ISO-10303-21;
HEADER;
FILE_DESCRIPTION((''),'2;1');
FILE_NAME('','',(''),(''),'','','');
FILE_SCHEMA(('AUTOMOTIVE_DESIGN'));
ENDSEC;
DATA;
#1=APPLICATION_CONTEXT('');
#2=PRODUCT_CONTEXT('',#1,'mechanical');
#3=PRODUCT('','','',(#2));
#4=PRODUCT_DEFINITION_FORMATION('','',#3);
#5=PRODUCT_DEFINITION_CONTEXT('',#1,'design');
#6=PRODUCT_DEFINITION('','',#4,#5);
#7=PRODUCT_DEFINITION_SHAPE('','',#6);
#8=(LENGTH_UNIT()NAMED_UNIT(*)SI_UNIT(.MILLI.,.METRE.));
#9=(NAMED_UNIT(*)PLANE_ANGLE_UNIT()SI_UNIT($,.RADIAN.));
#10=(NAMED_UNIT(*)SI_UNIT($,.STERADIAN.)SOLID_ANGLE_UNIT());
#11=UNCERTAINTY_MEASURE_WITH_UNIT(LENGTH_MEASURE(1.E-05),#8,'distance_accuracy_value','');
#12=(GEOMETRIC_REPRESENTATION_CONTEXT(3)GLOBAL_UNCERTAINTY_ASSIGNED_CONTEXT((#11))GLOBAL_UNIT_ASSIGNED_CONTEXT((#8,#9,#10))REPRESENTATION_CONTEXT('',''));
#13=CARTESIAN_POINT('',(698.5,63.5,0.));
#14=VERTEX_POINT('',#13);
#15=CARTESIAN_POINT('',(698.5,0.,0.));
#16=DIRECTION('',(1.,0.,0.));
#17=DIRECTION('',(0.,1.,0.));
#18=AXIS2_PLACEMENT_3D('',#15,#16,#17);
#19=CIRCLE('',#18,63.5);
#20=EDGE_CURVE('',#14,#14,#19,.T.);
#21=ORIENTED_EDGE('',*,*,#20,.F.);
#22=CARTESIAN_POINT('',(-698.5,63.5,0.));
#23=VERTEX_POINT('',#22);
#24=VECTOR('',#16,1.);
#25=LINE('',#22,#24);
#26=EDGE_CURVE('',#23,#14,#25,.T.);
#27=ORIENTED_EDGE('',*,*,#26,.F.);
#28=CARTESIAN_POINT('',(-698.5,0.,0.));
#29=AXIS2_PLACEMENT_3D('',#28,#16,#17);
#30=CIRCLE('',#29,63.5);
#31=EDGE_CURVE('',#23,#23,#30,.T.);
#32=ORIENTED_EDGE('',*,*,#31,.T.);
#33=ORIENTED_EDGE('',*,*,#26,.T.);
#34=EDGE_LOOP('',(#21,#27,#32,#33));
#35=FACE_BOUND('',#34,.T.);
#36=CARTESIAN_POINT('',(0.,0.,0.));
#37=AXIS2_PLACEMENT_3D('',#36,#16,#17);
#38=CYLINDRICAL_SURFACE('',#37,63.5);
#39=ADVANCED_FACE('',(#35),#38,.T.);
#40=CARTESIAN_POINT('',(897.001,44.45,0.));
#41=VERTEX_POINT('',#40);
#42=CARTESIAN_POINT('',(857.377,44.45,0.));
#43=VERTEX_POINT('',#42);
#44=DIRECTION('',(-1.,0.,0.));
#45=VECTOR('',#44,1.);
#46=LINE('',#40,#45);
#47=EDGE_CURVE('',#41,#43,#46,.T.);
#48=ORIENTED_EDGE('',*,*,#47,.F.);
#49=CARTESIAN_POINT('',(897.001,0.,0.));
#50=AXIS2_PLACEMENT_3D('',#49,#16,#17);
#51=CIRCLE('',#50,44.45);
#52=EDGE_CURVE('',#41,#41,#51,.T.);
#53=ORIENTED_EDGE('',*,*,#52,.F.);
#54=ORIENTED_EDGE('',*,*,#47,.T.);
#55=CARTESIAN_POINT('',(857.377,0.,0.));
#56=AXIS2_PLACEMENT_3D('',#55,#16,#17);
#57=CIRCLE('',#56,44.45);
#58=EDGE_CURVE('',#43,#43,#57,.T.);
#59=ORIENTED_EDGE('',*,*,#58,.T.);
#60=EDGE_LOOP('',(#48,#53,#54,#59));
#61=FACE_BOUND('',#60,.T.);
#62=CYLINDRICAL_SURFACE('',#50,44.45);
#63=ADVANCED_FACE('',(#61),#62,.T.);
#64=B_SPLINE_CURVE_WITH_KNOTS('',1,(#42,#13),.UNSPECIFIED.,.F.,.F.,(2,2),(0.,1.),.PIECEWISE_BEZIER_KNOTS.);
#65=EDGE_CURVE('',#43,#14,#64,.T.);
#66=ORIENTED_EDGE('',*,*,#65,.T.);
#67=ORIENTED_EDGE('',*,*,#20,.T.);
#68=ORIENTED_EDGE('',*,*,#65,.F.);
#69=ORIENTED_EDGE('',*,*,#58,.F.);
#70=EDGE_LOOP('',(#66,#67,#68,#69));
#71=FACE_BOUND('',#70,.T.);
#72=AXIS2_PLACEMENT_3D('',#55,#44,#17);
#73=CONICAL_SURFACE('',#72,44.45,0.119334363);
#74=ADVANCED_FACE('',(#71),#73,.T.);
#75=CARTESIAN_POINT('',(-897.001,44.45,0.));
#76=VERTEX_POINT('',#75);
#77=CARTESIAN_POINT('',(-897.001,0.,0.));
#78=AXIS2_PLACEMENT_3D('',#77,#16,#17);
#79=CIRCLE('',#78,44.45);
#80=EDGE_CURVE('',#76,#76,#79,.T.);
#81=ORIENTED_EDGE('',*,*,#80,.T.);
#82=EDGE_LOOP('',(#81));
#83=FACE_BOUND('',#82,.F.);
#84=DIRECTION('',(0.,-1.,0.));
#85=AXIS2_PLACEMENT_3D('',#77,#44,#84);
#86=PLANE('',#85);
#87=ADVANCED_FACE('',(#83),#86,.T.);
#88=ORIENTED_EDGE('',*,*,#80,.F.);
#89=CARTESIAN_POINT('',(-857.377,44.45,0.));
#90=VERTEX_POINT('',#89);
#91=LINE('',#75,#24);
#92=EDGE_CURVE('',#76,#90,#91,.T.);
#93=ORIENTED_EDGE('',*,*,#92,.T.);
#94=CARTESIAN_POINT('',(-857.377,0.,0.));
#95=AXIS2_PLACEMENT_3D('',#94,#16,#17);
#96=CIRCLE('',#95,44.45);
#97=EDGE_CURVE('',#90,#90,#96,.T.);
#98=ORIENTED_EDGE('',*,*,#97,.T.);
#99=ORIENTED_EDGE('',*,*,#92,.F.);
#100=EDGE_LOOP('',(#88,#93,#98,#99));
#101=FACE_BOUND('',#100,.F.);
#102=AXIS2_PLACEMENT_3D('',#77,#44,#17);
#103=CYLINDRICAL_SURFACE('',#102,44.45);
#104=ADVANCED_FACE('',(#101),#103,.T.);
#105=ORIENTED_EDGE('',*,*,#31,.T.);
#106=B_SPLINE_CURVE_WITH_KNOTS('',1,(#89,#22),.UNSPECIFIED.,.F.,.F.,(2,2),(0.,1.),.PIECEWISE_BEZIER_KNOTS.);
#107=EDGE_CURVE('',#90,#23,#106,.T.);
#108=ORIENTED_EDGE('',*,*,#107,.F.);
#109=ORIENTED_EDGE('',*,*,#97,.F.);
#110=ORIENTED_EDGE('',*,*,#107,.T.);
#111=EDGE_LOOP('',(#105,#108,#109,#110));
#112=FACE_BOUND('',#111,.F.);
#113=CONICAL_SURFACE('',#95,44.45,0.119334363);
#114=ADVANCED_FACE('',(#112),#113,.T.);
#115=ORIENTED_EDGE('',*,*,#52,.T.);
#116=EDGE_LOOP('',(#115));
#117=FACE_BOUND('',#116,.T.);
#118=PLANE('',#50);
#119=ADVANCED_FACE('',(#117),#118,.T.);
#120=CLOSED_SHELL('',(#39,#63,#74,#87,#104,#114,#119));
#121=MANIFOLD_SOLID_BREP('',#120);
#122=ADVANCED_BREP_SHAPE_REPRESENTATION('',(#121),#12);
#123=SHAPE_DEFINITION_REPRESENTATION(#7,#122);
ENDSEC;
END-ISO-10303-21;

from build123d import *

# Parameters (mm, degrees)
F0_R      = 63.5
F1_DEPTH  = 698.5
F3_R      = 44.45
F4_DEPTH  = 39.624
F4_FACE_R = 44.45
F1_FACE_R = 63.5


with BuildPart() as f1:
    # F0 (on Right) → F1 (new body, symmetric)
    with BuildSketch(Plane.YZ):
        Circle(F0_R)
    extrude(amount=F1_DEPTH, both=True)



with BuildPart() as f4:
    # F3 (on offset) → F4 (new body)
    with BuildSketch(Plane.YZ.offset(897.001)):
        Circle(F3_R)
    extrude(amount=-F4_DEPTH)


with BuildPart() as f1_1:
    add(f1.part)

    add(f4.part)  # F5 merges F4
    # F4_face (on face) → F5 section 0
    with BuildSketch(Plane(origin=(857.377, 0, 0), x_dir=(0, 1, 0), z_dir=(-1, 0, 0))):
        Circle(F4_FACE_R)
    # F1_face (on face) → F5 section 1
    with BuildSketch(Plane.YZ.offset(698.5)):
        Circle(F1_FACE_R)
    loft()

    # F6: F1 across plane


with BuildPart() as f1_2:
    add(f1_1.part)
    add(f1_1.part.mirror(Plane.YZ))


solid = f1_2.part
